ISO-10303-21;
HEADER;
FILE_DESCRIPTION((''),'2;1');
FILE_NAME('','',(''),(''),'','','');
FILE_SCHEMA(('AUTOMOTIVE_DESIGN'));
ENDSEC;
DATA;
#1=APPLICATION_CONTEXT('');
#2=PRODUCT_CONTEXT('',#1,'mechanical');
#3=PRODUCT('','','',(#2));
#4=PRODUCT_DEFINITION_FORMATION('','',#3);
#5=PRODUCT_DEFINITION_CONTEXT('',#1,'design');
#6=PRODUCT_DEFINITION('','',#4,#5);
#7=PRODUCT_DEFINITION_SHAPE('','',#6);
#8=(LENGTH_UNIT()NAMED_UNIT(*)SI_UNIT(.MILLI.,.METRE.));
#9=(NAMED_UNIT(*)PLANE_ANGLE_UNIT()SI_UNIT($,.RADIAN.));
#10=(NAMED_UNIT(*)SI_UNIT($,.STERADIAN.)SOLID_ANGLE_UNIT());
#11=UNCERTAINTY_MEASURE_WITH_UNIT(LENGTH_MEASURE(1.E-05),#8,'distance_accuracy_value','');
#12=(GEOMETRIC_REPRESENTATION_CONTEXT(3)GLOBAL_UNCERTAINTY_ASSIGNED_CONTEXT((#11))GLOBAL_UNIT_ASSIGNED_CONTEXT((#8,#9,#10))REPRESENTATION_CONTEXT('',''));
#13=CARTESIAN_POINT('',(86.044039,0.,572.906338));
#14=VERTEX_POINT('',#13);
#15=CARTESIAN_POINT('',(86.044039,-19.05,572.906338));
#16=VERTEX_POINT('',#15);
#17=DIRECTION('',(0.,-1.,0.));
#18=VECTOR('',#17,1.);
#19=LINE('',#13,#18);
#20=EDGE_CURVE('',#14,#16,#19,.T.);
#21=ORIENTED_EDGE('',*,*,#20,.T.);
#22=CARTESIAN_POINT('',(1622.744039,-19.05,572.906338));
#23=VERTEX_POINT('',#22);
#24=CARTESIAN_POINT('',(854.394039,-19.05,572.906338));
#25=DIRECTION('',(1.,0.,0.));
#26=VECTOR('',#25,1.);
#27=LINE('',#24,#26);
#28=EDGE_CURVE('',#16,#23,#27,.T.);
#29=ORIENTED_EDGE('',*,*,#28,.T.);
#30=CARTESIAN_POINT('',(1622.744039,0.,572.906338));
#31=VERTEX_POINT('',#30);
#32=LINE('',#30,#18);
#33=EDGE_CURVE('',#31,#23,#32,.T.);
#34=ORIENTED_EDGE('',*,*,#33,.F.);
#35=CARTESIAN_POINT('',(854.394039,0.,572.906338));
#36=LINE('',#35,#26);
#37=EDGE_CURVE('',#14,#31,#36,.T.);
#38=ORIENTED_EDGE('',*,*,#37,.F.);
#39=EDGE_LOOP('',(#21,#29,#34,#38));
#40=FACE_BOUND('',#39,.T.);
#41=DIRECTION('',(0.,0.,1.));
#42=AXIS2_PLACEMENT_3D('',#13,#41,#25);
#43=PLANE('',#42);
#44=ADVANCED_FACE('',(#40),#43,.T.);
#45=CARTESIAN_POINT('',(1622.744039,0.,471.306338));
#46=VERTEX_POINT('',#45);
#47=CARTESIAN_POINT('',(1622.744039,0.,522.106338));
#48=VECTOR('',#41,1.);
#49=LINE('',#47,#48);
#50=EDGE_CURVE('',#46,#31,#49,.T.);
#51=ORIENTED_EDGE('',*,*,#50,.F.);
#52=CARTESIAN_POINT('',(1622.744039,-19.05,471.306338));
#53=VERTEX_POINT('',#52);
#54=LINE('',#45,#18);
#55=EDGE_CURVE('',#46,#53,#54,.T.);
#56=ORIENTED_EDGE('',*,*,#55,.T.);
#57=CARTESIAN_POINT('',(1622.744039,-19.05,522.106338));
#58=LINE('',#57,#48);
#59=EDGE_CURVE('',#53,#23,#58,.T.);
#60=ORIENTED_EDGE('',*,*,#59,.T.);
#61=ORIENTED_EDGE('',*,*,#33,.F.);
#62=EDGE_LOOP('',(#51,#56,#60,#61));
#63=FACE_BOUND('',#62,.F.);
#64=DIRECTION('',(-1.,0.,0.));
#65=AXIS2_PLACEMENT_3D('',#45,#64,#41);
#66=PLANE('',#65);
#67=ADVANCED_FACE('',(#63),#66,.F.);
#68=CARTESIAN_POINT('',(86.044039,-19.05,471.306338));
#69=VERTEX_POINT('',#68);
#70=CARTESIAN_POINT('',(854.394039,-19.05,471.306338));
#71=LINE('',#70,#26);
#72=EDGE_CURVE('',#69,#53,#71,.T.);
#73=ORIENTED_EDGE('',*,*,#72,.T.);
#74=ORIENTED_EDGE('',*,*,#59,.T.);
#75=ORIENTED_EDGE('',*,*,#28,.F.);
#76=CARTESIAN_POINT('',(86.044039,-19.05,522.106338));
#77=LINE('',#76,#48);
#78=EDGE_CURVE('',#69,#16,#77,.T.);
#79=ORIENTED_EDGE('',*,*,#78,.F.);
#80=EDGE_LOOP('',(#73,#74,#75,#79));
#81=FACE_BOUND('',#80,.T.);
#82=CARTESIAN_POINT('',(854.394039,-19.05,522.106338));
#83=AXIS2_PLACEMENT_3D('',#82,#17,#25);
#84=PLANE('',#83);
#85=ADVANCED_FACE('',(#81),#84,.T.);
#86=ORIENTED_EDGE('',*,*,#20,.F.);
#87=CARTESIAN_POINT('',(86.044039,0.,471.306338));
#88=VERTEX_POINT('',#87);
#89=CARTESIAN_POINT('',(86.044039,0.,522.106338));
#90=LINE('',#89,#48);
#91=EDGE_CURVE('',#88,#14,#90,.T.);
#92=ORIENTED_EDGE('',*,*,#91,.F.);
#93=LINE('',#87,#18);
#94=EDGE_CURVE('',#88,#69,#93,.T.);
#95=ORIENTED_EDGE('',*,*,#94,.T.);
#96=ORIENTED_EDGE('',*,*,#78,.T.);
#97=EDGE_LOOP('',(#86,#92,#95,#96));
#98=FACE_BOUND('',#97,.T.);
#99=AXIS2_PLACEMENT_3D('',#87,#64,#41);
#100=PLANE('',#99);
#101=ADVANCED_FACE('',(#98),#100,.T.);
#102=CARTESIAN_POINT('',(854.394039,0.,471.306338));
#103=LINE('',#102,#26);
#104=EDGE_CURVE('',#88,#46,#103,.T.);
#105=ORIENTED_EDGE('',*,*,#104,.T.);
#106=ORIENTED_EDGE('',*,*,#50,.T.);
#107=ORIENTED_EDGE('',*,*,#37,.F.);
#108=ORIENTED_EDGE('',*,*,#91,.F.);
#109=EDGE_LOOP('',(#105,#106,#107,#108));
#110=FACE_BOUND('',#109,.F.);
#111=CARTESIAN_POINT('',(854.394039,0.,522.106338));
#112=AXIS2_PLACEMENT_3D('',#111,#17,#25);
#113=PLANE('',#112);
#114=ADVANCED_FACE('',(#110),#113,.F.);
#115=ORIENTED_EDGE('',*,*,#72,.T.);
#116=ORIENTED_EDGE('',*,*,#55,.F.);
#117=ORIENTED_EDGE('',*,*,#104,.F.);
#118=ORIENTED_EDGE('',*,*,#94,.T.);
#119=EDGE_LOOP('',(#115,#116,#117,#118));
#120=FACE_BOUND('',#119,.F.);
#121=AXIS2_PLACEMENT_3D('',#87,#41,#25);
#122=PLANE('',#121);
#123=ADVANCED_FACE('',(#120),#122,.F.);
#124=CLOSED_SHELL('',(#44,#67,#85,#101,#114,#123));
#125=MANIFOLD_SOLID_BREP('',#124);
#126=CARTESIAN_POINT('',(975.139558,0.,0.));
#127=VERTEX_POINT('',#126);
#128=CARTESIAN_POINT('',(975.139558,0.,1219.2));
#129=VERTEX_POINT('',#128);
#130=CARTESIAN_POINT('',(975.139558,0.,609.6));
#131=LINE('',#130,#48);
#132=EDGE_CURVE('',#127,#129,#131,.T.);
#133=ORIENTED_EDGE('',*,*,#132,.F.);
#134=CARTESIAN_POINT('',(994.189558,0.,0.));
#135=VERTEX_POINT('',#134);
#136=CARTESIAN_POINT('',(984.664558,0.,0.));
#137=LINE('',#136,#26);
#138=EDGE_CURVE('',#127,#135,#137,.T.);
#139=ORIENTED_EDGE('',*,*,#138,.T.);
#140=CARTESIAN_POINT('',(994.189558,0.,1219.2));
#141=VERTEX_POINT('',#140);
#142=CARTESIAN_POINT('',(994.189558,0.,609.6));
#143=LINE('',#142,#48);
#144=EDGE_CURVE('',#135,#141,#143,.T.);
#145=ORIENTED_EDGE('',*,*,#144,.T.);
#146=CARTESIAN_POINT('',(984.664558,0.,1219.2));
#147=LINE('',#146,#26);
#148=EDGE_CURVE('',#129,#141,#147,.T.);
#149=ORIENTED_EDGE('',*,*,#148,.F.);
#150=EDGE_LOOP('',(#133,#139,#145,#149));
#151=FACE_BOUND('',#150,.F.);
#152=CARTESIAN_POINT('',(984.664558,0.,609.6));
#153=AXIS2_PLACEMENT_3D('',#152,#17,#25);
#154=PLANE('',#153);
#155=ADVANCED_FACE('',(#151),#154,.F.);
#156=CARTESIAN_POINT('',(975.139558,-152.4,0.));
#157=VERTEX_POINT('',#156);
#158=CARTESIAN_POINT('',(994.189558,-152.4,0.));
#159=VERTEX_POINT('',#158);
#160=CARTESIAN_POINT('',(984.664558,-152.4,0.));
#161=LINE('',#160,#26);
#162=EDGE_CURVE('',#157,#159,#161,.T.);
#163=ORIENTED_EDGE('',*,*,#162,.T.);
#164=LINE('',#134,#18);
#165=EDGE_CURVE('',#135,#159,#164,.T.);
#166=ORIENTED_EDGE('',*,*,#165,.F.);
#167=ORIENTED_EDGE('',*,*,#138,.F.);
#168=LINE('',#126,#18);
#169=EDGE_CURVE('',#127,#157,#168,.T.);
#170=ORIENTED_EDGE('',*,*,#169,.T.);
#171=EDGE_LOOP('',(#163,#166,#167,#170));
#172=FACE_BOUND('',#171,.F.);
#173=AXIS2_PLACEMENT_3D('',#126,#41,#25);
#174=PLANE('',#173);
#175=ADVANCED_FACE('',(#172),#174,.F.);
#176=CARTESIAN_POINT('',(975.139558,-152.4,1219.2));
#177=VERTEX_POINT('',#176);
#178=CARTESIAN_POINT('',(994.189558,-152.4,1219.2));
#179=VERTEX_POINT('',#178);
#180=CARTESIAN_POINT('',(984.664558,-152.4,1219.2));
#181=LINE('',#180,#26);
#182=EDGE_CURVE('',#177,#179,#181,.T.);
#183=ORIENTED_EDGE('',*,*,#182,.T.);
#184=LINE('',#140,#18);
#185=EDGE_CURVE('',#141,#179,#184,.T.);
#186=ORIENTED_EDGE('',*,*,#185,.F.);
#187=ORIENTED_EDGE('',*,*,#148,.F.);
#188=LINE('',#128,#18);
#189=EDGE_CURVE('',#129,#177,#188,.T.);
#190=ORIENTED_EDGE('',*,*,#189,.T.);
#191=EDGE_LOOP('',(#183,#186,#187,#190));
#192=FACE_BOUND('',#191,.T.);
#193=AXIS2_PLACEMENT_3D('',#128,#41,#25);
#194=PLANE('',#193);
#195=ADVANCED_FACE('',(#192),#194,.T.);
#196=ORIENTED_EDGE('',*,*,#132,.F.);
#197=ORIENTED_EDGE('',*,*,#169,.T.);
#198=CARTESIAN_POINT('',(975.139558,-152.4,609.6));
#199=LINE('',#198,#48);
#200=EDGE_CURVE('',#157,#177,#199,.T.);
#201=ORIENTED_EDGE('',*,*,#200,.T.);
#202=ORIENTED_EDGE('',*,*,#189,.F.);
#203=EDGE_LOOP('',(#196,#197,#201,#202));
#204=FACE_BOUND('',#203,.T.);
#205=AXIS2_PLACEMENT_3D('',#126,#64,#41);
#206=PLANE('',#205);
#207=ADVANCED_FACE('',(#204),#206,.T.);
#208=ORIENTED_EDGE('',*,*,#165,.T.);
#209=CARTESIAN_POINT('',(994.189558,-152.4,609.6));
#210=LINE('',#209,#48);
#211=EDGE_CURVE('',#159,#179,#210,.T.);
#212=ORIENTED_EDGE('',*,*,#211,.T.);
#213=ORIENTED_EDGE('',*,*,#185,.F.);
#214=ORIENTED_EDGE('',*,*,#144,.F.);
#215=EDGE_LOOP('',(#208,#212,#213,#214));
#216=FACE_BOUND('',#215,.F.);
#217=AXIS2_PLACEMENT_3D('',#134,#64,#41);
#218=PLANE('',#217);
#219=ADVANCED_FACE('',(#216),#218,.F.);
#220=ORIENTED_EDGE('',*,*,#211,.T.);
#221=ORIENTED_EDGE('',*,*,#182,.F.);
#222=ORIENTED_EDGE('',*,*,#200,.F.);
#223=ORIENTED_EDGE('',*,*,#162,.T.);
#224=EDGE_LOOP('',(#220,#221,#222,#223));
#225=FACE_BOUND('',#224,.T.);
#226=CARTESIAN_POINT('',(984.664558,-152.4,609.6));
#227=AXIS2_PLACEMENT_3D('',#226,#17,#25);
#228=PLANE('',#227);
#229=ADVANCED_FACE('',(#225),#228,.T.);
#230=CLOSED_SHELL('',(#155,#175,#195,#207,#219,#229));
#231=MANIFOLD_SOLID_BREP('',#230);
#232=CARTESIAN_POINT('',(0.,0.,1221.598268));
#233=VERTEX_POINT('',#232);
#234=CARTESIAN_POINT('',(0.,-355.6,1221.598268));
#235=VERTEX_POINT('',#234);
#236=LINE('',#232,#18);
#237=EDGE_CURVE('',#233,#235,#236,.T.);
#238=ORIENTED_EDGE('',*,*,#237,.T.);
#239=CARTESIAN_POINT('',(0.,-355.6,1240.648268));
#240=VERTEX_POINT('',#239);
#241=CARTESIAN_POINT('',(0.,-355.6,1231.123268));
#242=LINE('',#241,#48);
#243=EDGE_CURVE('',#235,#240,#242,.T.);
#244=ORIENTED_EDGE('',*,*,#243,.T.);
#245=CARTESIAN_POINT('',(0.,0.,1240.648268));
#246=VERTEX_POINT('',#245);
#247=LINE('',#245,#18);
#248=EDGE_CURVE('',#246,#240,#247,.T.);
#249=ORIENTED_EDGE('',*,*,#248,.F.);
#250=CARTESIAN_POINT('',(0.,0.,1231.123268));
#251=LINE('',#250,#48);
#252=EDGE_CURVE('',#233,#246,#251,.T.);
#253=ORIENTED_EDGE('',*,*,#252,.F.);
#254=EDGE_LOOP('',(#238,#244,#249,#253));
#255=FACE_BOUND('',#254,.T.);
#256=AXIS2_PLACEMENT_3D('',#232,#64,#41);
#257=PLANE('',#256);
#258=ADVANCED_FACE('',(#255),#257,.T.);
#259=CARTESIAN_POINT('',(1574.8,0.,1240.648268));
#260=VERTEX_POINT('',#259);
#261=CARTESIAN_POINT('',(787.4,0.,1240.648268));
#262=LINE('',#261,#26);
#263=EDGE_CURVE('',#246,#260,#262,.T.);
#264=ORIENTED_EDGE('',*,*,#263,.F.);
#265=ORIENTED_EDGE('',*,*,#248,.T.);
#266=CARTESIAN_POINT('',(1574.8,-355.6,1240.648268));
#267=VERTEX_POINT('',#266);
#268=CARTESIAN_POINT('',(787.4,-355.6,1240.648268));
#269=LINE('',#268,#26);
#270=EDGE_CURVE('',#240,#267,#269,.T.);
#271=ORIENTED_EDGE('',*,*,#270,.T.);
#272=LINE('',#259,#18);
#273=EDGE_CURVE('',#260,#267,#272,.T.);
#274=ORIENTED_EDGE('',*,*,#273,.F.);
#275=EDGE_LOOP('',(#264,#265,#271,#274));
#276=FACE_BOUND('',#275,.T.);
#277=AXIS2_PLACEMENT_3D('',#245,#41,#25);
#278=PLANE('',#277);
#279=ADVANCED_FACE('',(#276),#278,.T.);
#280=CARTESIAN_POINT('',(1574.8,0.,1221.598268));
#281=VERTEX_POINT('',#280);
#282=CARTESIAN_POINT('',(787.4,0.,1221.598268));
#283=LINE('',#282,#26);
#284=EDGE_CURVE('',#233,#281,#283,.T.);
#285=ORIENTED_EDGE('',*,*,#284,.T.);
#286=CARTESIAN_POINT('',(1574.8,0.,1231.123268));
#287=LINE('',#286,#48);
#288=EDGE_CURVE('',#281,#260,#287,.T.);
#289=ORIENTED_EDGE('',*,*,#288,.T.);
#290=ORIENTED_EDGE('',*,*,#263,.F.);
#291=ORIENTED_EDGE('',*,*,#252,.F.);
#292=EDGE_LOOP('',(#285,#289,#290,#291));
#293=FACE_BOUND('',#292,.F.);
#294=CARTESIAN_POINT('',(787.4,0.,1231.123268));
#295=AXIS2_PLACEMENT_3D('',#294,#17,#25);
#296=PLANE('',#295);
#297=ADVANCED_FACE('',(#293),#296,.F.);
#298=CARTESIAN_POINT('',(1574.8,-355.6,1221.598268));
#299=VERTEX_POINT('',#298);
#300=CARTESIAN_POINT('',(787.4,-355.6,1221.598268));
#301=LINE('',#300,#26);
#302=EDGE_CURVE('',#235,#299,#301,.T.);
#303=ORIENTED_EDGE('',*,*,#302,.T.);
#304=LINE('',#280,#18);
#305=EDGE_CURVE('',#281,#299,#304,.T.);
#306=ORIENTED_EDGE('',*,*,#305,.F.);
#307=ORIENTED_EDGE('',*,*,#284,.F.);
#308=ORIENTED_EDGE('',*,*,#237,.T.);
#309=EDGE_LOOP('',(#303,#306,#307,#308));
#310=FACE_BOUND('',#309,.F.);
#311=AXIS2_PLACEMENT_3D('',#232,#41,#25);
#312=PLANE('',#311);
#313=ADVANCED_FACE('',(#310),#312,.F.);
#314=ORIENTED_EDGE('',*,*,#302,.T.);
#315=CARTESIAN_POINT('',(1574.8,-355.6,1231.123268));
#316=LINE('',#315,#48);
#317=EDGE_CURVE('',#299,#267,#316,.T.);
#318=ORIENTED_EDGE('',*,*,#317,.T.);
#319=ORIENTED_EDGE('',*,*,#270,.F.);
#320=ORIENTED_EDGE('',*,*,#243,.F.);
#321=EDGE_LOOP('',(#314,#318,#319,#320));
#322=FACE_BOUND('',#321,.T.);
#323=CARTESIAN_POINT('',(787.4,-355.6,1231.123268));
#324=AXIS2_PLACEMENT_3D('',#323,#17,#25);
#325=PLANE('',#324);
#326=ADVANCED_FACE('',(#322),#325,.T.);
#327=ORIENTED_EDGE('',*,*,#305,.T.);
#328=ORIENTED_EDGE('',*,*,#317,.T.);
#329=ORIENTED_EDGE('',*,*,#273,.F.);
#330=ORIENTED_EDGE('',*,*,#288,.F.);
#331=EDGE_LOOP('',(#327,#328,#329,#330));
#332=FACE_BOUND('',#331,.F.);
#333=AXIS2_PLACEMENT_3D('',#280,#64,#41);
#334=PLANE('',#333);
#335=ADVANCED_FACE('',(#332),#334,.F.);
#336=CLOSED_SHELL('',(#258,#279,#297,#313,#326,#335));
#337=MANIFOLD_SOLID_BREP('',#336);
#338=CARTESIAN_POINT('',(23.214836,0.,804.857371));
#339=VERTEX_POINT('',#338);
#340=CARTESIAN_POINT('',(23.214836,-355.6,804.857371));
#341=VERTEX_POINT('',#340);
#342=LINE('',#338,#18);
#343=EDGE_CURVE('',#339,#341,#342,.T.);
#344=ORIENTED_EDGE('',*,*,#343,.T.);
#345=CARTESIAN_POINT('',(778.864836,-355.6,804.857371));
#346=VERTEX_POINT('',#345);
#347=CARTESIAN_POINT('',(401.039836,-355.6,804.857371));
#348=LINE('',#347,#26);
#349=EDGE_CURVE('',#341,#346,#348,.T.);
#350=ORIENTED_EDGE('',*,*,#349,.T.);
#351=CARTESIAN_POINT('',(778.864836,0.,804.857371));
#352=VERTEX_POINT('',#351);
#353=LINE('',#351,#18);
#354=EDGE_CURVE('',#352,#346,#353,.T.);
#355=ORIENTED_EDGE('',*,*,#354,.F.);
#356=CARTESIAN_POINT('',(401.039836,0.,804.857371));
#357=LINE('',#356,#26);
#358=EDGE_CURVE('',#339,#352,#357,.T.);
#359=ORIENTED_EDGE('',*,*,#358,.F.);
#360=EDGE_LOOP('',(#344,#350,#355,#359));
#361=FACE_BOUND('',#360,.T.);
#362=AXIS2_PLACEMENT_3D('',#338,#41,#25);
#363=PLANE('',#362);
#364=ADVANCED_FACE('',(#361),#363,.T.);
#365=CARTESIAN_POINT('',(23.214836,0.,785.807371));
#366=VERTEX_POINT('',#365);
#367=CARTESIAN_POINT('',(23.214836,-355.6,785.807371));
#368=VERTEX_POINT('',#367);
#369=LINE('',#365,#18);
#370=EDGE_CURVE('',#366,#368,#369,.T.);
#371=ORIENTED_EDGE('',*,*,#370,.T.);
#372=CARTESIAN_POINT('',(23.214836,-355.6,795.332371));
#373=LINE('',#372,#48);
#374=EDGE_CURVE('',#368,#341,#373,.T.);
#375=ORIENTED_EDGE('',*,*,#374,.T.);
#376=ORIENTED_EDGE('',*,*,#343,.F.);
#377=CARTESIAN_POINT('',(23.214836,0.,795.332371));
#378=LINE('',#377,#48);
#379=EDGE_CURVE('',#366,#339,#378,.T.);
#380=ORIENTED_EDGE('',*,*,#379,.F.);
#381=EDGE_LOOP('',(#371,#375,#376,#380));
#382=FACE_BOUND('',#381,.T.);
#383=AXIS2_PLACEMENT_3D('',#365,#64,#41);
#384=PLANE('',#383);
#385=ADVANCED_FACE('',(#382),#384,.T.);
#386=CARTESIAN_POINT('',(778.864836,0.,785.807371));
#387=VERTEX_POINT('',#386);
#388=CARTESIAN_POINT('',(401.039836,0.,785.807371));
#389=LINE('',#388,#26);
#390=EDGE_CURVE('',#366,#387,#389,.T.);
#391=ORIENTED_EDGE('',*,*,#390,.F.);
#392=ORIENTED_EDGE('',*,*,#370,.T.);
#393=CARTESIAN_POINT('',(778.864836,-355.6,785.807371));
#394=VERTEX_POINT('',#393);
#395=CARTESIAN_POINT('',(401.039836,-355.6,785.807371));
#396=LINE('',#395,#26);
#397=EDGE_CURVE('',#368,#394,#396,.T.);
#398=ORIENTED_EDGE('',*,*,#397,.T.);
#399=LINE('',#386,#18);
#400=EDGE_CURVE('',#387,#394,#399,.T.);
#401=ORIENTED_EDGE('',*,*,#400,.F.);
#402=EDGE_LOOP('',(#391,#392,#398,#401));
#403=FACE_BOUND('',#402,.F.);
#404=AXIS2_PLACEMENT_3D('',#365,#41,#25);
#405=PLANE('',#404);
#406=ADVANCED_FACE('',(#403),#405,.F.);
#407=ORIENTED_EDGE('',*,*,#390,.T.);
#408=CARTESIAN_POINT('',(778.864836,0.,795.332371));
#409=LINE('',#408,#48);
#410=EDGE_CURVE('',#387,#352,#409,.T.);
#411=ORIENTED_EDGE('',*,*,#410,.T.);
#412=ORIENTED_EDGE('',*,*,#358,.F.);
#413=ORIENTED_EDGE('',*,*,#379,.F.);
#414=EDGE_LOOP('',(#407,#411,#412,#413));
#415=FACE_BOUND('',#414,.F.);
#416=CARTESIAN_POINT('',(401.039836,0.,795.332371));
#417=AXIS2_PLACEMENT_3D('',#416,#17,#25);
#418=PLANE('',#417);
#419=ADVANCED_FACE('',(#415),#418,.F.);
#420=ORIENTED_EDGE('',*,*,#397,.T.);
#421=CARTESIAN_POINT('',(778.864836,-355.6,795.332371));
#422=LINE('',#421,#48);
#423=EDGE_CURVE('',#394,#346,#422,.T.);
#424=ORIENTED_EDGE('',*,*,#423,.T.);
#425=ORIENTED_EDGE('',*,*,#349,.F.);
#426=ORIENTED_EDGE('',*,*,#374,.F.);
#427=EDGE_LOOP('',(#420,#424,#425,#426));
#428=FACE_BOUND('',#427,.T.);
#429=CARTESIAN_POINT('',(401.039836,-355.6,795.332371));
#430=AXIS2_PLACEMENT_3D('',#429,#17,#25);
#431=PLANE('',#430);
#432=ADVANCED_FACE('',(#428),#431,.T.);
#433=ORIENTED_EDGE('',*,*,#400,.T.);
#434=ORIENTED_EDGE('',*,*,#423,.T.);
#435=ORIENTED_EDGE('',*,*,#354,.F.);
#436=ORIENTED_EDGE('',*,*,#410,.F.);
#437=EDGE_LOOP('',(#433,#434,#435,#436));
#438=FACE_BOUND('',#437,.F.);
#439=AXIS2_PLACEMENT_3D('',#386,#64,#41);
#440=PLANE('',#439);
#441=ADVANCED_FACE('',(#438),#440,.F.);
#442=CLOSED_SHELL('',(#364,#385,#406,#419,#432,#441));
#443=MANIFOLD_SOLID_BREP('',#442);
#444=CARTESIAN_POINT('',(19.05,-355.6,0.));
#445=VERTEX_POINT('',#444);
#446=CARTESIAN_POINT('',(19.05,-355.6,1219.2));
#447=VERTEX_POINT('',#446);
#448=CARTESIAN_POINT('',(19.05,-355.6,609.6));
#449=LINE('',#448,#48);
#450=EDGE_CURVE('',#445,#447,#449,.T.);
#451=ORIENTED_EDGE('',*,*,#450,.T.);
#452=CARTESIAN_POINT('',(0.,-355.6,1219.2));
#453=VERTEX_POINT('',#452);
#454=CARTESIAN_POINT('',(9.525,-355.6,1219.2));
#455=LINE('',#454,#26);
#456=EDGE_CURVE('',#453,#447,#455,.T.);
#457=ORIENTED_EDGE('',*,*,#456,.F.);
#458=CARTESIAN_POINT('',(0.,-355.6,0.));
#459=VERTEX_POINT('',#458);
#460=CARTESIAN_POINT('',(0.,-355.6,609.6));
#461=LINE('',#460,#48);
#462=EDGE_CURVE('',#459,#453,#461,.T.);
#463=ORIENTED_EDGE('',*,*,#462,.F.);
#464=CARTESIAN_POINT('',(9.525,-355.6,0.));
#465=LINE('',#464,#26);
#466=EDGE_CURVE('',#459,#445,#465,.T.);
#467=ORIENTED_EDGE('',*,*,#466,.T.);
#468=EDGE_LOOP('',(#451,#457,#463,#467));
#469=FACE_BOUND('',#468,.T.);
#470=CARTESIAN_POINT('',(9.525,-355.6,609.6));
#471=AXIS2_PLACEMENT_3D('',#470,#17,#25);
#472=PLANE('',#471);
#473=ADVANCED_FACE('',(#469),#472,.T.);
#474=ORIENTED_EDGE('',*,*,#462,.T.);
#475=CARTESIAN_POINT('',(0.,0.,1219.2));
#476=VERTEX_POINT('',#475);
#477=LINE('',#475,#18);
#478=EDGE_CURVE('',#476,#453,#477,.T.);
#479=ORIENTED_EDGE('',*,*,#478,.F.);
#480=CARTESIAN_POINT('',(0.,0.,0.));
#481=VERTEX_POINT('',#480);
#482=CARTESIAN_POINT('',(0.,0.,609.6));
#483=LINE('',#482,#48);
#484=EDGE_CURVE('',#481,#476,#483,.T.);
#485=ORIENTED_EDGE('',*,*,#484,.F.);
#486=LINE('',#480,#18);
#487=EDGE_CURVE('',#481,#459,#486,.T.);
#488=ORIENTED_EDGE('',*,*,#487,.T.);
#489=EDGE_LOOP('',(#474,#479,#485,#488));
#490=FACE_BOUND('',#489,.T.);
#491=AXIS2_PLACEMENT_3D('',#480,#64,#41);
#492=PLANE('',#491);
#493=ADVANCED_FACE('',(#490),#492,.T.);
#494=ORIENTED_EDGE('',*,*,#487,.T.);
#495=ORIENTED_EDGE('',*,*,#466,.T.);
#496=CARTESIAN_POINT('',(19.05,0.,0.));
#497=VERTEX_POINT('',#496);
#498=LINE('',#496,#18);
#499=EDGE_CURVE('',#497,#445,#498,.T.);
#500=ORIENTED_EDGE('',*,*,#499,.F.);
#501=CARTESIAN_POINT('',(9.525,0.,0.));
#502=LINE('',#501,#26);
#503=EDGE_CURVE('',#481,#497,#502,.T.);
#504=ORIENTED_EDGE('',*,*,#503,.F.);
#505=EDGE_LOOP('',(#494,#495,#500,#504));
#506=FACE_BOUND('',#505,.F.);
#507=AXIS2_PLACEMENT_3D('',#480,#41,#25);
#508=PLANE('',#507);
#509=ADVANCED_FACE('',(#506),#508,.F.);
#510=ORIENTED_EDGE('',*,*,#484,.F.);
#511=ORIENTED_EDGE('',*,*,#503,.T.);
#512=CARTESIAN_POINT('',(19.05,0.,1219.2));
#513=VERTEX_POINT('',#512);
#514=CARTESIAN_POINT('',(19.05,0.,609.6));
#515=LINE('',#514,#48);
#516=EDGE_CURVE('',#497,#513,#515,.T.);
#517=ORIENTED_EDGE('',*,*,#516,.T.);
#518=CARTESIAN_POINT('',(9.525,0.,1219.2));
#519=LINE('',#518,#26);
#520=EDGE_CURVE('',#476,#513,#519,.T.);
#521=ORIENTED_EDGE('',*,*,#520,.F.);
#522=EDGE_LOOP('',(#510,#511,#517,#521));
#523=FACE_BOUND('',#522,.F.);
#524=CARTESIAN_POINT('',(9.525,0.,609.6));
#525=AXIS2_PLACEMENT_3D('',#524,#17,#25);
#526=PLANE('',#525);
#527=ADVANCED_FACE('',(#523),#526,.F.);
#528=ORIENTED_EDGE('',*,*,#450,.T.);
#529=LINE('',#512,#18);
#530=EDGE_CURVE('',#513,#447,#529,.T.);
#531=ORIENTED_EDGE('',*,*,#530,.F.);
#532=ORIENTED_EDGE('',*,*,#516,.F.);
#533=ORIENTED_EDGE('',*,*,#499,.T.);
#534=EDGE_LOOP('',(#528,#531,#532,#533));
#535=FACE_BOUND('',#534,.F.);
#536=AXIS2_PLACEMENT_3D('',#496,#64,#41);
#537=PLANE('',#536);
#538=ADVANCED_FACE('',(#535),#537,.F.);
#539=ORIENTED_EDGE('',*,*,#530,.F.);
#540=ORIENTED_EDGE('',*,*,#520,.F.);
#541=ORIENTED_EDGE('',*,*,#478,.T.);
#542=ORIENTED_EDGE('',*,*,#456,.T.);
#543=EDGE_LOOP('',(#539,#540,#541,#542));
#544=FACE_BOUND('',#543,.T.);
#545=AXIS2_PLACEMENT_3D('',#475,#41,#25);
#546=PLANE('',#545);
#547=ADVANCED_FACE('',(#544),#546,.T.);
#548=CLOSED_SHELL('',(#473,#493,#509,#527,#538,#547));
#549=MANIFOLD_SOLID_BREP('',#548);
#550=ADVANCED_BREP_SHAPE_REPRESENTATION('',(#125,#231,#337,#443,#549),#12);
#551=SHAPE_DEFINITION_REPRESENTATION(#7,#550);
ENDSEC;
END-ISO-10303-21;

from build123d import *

# Parameters (mm, degrees)
F0_W     = 19.05
F0_H     = 1219.2
F1_DEPTH = 355.6
F2_W     = 1574.8
F2_H     = 19.05
F3_DEPTH = 355.6
F4_W     = 755.65
F4_H     = 19.05
F5_DEPTH = 355.6
F6_W     = 1536.7
F6_H     = 101.6
F7_DEPTH = 19.05
F8_W     = 19.05
F8_H     = 1219.2
F9_DEPTH = 152.4


with BuildPart() as f1:
    # F0 (on Front) → F1 (new body)
    with BuildSketch(Plane.XZ):
        with Locations((9.525, 609.6)):
            Rectangle(F0_W, F0_H)
    extrude(amount=F1_DEPTH)


with BuildPart() as f3:
    # F2 (on Front) → F3 (new body)
    with BuildSketch(Plane.XZ):
        with Locations((787.4, 1231.123268)):
            Rectangle(F2_W, F2_H)
    extrude(amount=F3_DEPTH)


with BuildPart() as f5:
    # F4 (on Front) → F5 (new body)
    with BuildSketch(Plane.XZ):
        with Locations((401.039836, 795.332371)):
            Rectangle(F4_W, F4_H)
    extrude(amount=F5_DEPTH)


with BuildPart() as f7:
    # F6 (on Front) → F7 (new body)
    with BuildSketch(Plane.XZ):
        with Locations((854.394039, 522.106338)):
            Rectangle(F6_W, F6_H)
    extrude(amount=F7_DEPTH)


with BuildPart() as f9:
    # F8 (on Front) → F9 (new body)
    with BuildSketch(Plane.XZ):
        with Locations((984.664558, 609.6)):
            Rectangle(F8_W, F8_H)
    extrude(amount=F9_DEPTH)


solid = Compound([f1.part, f3.part, f5.part, f7.part, f9.part])
